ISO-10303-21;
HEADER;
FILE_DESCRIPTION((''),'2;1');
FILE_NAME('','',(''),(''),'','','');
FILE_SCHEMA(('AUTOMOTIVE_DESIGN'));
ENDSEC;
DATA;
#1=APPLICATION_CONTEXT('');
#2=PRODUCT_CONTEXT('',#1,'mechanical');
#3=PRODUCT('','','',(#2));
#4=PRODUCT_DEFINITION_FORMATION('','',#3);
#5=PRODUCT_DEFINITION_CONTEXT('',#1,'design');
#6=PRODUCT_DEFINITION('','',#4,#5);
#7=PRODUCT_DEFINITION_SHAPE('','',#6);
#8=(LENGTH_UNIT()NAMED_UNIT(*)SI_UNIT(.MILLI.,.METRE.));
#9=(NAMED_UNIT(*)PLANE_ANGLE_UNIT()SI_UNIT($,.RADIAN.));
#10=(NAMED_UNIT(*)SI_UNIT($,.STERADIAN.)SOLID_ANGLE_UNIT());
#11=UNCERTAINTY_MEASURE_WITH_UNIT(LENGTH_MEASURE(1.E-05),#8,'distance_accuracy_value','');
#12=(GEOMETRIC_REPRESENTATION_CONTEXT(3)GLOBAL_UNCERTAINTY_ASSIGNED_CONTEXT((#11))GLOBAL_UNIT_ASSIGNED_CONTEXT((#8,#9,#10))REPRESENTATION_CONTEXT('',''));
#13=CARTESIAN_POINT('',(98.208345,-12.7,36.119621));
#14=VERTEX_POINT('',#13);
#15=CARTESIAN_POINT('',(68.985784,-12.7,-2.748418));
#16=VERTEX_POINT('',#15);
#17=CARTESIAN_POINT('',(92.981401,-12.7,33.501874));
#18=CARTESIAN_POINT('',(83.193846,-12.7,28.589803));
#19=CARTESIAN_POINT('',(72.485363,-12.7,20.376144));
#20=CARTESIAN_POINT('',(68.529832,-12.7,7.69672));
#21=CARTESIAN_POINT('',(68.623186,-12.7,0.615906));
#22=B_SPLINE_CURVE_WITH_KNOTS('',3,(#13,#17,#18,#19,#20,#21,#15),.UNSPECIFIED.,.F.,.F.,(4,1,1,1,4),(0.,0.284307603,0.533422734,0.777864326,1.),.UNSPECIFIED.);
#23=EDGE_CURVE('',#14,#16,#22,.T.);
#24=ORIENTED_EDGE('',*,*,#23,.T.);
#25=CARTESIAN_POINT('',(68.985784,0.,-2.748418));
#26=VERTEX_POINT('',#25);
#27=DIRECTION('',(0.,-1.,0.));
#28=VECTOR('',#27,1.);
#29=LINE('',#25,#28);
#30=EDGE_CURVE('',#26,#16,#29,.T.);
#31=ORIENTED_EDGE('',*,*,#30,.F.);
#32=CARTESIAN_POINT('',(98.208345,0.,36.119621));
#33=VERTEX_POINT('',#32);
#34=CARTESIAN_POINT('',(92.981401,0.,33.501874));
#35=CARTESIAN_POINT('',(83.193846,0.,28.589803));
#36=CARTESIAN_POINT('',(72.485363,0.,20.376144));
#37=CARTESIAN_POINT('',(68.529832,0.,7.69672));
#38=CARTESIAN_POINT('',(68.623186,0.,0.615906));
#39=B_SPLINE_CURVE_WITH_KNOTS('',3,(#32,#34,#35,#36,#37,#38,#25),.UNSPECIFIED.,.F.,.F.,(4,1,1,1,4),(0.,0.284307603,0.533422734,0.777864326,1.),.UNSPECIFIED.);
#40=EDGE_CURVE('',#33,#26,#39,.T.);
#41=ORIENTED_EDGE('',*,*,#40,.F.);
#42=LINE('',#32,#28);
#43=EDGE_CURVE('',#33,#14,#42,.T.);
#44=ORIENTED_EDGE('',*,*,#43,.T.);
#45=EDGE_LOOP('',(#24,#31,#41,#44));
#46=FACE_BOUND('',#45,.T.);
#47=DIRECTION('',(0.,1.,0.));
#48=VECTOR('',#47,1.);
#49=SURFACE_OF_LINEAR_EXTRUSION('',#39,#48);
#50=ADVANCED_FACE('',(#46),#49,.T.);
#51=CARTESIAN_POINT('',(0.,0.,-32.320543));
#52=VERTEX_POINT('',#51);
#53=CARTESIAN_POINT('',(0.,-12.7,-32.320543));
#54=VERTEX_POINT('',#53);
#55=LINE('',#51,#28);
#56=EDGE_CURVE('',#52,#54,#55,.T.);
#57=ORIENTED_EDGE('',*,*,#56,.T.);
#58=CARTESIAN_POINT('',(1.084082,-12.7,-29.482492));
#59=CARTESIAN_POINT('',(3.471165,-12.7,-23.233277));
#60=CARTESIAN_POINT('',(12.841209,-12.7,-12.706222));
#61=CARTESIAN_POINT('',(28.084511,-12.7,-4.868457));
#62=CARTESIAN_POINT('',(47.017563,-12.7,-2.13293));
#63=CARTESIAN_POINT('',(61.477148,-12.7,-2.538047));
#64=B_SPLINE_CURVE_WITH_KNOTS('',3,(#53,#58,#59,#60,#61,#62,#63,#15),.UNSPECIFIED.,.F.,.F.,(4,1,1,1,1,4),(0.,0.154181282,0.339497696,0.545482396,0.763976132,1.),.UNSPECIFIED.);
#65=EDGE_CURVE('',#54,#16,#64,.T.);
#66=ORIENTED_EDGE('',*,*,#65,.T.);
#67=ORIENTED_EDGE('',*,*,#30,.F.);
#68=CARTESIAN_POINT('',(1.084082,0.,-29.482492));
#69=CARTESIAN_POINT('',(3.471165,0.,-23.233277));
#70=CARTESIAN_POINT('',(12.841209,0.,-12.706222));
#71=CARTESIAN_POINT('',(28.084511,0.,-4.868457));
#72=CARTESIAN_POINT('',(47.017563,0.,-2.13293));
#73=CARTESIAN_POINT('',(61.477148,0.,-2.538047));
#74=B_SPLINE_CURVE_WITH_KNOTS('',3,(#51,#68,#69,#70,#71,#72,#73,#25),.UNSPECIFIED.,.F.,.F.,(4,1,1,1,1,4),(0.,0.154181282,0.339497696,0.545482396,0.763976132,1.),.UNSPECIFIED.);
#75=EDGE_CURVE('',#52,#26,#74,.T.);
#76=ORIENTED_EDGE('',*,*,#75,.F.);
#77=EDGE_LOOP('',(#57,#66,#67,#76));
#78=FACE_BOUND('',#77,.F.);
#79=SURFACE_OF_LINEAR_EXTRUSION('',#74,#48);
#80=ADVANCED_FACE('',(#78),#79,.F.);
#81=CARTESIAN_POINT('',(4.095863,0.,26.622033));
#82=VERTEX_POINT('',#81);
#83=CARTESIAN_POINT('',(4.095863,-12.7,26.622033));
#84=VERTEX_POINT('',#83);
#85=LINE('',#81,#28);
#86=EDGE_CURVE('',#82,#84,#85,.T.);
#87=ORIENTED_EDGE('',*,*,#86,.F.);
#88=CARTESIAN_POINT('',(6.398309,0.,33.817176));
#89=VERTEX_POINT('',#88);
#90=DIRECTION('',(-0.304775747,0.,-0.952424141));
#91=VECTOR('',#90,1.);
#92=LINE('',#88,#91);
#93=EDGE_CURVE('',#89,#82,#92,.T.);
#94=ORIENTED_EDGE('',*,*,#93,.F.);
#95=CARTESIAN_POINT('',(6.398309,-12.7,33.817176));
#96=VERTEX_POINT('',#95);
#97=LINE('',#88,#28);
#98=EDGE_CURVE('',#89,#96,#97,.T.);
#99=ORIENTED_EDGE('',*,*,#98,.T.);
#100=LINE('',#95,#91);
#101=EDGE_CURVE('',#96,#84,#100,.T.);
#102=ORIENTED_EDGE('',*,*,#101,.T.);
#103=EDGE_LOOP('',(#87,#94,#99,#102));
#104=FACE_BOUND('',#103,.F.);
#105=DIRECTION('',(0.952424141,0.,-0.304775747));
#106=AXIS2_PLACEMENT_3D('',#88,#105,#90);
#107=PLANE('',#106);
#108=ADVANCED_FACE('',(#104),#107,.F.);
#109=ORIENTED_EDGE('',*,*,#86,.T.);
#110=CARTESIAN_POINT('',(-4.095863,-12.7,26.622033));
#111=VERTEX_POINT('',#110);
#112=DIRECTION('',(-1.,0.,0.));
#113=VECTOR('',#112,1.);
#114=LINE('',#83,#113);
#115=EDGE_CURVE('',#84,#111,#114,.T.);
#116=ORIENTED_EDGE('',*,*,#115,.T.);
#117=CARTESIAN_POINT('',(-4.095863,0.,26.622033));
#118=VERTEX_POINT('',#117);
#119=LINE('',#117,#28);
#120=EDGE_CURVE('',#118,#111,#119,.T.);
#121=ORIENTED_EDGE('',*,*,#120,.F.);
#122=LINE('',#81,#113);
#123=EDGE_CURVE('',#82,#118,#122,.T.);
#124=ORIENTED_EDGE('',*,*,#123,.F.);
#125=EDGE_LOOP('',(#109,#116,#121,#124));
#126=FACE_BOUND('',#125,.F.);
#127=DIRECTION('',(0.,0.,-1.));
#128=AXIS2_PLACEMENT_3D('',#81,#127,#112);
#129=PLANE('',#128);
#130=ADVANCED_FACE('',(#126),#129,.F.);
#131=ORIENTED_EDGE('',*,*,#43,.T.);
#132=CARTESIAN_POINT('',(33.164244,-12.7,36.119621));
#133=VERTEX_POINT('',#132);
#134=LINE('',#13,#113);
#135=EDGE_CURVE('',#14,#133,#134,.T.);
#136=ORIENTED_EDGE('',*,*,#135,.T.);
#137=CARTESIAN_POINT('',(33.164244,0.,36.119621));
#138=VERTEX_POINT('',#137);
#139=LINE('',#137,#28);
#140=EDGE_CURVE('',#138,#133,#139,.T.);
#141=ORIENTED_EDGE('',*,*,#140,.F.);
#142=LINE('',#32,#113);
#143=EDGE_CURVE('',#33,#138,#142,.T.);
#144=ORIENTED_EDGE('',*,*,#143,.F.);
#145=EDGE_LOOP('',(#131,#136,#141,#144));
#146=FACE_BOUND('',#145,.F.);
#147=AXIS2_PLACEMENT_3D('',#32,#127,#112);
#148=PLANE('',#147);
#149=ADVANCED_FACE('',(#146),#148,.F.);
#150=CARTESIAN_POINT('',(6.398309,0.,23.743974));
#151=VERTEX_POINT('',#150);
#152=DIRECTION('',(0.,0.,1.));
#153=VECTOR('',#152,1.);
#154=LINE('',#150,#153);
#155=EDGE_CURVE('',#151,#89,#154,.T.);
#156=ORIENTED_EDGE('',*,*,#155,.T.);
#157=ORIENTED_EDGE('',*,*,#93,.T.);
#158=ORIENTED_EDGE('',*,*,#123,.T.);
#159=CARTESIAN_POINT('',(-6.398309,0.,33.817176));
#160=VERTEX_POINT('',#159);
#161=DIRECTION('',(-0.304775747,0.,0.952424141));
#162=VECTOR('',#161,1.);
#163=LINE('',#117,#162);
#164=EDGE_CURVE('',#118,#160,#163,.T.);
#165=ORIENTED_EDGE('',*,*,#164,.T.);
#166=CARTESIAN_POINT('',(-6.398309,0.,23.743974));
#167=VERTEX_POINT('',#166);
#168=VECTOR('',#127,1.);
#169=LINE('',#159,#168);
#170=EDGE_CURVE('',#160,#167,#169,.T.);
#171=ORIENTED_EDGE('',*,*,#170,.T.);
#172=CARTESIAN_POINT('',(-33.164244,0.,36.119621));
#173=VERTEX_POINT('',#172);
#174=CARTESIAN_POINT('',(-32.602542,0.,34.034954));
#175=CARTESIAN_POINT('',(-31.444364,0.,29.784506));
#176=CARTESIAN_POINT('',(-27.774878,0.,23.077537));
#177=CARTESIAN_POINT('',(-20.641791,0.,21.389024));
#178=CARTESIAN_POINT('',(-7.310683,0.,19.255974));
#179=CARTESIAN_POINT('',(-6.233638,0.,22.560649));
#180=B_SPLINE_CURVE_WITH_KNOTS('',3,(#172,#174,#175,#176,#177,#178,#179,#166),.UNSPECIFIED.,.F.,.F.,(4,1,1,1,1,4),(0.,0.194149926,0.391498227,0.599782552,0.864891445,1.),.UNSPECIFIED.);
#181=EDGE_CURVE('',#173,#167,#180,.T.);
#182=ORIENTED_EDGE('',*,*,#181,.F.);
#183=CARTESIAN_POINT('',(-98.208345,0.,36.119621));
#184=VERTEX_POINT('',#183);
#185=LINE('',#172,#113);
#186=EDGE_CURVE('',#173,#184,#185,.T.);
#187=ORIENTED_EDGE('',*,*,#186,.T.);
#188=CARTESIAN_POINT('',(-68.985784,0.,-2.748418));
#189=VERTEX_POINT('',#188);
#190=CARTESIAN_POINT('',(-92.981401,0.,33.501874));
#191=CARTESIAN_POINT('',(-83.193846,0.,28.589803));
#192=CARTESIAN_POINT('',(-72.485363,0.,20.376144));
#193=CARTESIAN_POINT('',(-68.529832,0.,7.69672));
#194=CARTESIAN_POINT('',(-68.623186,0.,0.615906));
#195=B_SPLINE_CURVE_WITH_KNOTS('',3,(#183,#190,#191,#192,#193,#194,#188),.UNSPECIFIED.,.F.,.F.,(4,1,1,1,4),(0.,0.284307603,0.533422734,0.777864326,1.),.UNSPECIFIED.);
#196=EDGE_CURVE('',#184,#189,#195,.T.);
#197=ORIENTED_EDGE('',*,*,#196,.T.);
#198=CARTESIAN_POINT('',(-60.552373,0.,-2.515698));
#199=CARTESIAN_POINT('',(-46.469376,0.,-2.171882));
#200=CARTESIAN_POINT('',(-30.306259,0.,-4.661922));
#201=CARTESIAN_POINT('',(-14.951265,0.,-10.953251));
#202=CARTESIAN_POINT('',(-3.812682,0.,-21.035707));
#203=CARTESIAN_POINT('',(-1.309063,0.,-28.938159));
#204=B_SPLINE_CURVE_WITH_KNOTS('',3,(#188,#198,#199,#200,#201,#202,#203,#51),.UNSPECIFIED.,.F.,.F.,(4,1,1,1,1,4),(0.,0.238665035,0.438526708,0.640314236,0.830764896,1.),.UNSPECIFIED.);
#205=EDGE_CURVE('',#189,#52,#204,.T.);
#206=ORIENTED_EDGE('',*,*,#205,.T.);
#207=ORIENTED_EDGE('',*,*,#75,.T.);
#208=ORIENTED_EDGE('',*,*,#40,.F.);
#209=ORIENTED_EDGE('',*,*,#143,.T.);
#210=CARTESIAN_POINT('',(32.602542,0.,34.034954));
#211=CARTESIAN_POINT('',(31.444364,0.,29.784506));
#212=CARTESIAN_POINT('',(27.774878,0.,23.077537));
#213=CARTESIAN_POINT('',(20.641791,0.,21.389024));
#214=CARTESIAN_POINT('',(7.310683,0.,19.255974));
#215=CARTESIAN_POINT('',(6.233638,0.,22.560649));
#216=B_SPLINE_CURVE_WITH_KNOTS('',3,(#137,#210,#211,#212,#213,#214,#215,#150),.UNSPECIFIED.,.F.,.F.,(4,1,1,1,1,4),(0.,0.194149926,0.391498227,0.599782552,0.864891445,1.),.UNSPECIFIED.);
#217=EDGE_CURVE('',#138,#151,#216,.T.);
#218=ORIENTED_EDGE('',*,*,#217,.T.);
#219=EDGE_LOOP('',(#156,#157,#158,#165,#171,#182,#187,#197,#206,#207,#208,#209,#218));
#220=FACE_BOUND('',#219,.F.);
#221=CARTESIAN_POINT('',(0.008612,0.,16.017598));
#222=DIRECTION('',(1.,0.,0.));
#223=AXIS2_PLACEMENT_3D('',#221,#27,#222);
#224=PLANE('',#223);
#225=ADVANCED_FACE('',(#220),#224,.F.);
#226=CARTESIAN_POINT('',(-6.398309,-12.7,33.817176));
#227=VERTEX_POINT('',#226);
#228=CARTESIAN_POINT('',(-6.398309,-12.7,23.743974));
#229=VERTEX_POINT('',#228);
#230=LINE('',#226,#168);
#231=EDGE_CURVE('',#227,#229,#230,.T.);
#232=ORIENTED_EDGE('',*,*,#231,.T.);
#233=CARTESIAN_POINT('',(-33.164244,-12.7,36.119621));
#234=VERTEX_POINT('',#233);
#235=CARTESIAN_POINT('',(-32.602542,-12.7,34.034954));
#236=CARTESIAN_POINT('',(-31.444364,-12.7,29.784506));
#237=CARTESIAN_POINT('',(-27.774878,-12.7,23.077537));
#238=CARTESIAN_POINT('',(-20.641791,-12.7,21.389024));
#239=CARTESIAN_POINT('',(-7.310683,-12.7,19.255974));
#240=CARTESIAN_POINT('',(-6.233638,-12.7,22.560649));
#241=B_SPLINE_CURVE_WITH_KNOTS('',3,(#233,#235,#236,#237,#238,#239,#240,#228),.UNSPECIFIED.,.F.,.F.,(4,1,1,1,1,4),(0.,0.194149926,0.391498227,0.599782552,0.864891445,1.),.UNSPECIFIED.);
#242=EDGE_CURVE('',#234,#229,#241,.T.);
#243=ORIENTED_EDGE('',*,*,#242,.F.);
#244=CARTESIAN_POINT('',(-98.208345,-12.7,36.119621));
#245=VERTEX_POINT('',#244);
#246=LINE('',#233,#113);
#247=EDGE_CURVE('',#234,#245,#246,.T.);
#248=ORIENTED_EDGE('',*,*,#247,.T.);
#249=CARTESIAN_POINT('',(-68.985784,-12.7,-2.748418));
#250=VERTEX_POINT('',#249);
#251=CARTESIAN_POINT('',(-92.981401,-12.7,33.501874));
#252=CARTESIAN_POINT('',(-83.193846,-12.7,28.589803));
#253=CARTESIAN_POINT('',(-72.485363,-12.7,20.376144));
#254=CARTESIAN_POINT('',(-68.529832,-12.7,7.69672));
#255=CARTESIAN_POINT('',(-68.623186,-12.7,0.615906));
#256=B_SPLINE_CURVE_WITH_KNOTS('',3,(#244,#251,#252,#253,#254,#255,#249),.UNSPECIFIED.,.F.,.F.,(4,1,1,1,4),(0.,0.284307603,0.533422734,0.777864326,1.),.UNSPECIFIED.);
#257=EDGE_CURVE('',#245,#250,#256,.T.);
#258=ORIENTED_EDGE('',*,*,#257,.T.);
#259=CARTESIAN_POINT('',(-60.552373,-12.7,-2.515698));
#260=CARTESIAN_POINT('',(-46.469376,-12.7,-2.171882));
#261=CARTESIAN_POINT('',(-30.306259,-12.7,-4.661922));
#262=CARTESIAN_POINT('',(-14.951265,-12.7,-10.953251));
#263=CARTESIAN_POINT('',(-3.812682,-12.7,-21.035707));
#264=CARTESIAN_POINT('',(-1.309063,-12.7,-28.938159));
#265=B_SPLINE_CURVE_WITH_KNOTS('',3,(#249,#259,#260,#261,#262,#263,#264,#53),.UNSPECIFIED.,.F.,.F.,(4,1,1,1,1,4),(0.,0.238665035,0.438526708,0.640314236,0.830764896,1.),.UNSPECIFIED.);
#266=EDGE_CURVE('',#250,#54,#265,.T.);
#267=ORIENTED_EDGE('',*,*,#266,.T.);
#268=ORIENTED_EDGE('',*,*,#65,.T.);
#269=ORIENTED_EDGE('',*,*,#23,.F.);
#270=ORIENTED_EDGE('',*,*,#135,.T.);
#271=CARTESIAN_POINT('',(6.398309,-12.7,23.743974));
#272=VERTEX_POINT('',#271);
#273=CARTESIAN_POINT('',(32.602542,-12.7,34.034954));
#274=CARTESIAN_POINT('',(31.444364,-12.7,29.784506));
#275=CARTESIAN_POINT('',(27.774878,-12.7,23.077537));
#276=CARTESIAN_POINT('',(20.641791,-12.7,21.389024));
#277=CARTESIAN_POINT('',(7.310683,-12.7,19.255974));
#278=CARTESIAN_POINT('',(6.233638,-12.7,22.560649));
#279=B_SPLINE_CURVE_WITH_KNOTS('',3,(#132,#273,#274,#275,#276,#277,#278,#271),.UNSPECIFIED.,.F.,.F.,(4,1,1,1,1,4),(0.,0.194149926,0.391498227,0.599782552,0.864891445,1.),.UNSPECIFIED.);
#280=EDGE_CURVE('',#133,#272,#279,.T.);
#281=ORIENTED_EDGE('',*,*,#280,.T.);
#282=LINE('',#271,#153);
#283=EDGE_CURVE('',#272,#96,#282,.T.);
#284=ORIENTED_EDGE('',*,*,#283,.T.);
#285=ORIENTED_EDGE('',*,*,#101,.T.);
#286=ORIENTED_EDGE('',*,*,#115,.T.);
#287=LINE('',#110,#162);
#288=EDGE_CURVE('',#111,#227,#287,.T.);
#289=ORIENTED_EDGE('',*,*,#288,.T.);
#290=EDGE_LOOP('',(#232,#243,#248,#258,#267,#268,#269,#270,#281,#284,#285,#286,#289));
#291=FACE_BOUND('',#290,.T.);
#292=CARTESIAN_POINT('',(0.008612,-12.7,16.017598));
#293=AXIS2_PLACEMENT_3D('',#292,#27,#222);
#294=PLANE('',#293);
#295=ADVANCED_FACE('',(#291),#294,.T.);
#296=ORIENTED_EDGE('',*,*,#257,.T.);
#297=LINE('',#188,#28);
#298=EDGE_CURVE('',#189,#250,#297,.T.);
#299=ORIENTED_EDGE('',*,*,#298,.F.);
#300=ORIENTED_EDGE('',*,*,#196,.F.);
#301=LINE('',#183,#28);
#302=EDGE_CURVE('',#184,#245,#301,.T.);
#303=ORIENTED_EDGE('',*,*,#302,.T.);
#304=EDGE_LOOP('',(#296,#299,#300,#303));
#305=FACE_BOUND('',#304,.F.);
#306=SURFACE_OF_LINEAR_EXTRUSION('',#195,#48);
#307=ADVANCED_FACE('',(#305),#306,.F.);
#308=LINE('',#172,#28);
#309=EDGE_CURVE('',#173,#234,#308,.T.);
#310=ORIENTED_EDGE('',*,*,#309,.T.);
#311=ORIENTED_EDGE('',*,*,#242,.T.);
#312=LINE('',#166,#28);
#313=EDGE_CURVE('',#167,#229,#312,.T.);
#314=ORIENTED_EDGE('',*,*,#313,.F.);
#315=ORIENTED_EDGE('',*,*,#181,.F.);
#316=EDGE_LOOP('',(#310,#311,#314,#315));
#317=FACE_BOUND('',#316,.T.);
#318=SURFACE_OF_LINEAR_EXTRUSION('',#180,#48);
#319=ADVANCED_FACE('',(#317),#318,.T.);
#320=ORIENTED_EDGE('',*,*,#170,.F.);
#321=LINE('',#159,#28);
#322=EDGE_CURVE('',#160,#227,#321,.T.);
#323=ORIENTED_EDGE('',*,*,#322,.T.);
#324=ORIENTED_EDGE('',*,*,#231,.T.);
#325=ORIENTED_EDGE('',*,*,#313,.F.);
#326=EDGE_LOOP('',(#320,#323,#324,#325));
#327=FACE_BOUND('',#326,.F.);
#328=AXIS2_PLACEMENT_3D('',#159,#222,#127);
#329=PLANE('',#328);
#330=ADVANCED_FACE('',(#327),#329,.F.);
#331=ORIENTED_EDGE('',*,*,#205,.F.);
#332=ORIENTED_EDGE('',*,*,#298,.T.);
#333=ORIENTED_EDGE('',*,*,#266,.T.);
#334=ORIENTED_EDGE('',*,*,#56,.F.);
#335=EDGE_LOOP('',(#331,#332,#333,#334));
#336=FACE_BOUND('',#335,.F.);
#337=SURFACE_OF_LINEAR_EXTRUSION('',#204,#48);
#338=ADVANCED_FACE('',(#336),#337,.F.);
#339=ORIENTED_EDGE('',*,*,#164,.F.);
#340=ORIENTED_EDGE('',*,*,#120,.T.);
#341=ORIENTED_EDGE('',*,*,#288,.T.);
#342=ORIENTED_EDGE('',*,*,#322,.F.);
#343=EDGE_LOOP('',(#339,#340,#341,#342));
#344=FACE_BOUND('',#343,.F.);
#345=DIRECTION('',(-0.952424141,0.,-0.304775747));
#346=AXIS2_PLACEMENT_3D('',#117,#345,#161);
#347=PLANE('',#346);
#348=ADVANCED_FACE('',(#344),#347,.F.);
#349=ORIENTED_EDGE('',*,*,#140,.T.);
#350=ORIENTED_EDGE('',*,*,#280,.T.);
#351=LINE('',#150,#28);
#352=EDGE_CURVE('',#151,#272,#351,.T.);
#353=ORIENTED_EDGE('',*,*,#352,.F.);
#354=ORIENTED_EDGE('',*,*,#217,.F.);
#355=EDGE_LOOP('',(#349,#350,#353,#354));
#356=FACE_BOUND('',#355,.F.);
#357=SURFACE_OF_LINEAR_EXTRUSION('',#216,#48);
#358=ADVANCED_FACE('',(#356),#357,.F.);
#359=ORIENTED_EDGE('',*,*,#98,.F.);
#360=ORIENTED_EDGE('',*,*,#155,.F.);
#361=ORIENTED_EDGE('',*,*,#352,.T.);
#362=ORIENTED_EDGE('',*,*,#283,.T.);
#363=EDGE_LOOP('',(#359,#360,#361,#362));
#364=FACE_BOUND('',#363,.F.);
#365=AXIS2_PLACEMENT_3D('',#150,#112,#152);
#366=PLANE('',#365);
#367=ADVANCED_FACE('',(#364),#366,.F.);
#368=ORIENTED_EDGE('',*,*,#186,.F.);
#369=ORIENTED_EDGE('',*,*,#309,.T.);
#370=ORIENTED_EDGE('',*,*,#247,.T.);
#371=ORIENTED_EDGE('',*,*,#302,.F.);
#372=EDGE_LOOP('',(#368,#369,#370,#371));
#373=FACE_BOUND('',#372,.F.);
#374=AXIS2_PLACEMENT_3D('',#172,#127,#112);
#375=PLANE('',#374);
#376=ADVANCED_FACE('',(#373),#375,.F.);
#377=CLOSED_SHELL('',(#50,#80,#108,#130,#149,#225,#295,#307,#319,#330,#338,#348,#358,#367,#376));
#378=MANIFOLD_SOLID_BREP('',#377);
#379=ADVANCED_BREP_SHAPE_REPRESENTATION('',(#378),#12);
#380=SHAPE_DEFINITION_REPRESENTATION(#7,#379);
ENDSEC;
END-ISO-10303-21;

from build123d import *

# Parameters (mm, degrees)
F1_DEPTH = 12.7


with BuildPart() as f1:
    # F0 (on Front) → F1 (new body)
    with BuildSketch(Plane.XZ):
        with BuildLine():
            Line((-47.8423386812, 36.1196212471), (-98.2083454728, 36.1196212471))
            add(Edge.make_bspline(
                [(-98.2083454728, 36.1196212471), (-92.9814011316, 33.5018735493), (-83.1938461475, 28.5898029458), (-72.4853630693, 20.3761444501), (-68.5298321307, 7.6967199542), (-68.6231864508, 0.6159058766), (-68.985783967, -2.7484176815)],
                knots=[0, 0, 0, 0, 0.2843076029, 0.5334227345, 0.7778643257, 1, 1, 1, 1], degree=3))
            add(Edge.make_bspline(
                [(-68.985783967, -2.7484176815), (-60.5523734206, -2.5156977252), (-46.4693759844, -2.1718818852), (-30.3062593109, -4.6619222167), (-14.9512649183, -10.9532512054), (-3.8126822448, -21.0357070143), (-1.3090632622, -28.9381589303), (0, -32.3205428291)],
                knots=[0, 0, 0, 0, 0.2386650347, 0.4385267084, 0.6403142356, 0.830764896, 1, 1, 1, 1], degree=3))
            add(Edge.make_bspline(
                [(0, -32.3205428291), (1.084082323, -29.482491613), (3.4711648995, -23.2332774476), (12.8412090289, -12.706221608), (28.0845108907, -4.868457196), (47.0175632372, -2.1329299316), (61.4771481413, -2.5380468269), (68.985783967, -2.7484176815)],
                knots=[0, 0, 0, 0, 0.1541812818, 0.3394976964, 0.545482396, 0.7639761316, 1, 1, 1, 1], degree=3))
            add(Edge.make_bspline(
                [(98.2083454728, 36.1196212471), (92.9814011316, 33.5018735493), (83.1938461475, 28.5898029458), (72.4853630693, 20.3761444501), (68.5298321307, 7.6967199542), (68.6231864508, 0.6159058766), (68.985783967, -2.7484176815)],
                knots=[0, 0, 0, 0, 0.2843076029, 0.5334227345, 0.7778643257, 1, 1, 1, 1], degree=3))
            Line((98.2083454728, 36.1196212471), (47.8423386812, 36.1196212471))
            Line((47.8423386812, 36.1196212471), (33.1642441452, 36.1196212471))
            add(Edge.make_bspline(
                [(33.1642441452, 36.1196212471), (32.6025420112, 34.0349536871), (31.4443639748, 29.7845055292), (27.7748779826, 23.0775369724), (20.6417913252, 21.3890235759), (7.3106834309, 19.255974263), (6.2336376618, 22.5606487659), (6.3983085565, 23.7439740449)],
                knots=[0, 0, 0, 0, 0.1941499259, 0.3914982274, 0.5997825522, 0.8648914451, 1, 1, 1, 1], degree=3))
            Line((6.3983085565, 23.7439740449), (6.3983085565, 33.8171757758))
            Line((6.3983085565, 33.8171757758), (4.0958626196, 26.6220327467))
            Line((4.0958626196, 26.6220327467), (0, 26.6220327467))
            Line((0, 26.6220327467), (-4.0958626196, 26.6220327467))
            Line((-4.0958626196, 26.6220327467), (-6.3983085565, 33.8171757758))
            Line((-6.3983085565, 33.8171757758), (-6.3983085565, 23.7439740449))
            add(Edge.make_bspline(
                [(-33.1642441452, 36.1196212471), (-32.6025420112, 34.0349536871), (-31.4443639748, 29.7845055292), (-27.7748779826, 23.0775369724), (-20.6417913252, 21.3890235759), (-7.3106834309, 19.255974263), (-6.2336376618, 22.5606487659), (-6.3983085565, 23.7439740449)],
                knots=[0, 0, 0, 0, 0.1941499259, 0.3914982274, 0.5997825522, 0.8648914451, 1, 1, 1, 1], degree=3))
            Line((-33.1642441452, 36.1196212471), (-47.8423386812, 36.1196212471))
        make_face()
    extrude(amount=F1_DEPTH)


solid = f1.part
